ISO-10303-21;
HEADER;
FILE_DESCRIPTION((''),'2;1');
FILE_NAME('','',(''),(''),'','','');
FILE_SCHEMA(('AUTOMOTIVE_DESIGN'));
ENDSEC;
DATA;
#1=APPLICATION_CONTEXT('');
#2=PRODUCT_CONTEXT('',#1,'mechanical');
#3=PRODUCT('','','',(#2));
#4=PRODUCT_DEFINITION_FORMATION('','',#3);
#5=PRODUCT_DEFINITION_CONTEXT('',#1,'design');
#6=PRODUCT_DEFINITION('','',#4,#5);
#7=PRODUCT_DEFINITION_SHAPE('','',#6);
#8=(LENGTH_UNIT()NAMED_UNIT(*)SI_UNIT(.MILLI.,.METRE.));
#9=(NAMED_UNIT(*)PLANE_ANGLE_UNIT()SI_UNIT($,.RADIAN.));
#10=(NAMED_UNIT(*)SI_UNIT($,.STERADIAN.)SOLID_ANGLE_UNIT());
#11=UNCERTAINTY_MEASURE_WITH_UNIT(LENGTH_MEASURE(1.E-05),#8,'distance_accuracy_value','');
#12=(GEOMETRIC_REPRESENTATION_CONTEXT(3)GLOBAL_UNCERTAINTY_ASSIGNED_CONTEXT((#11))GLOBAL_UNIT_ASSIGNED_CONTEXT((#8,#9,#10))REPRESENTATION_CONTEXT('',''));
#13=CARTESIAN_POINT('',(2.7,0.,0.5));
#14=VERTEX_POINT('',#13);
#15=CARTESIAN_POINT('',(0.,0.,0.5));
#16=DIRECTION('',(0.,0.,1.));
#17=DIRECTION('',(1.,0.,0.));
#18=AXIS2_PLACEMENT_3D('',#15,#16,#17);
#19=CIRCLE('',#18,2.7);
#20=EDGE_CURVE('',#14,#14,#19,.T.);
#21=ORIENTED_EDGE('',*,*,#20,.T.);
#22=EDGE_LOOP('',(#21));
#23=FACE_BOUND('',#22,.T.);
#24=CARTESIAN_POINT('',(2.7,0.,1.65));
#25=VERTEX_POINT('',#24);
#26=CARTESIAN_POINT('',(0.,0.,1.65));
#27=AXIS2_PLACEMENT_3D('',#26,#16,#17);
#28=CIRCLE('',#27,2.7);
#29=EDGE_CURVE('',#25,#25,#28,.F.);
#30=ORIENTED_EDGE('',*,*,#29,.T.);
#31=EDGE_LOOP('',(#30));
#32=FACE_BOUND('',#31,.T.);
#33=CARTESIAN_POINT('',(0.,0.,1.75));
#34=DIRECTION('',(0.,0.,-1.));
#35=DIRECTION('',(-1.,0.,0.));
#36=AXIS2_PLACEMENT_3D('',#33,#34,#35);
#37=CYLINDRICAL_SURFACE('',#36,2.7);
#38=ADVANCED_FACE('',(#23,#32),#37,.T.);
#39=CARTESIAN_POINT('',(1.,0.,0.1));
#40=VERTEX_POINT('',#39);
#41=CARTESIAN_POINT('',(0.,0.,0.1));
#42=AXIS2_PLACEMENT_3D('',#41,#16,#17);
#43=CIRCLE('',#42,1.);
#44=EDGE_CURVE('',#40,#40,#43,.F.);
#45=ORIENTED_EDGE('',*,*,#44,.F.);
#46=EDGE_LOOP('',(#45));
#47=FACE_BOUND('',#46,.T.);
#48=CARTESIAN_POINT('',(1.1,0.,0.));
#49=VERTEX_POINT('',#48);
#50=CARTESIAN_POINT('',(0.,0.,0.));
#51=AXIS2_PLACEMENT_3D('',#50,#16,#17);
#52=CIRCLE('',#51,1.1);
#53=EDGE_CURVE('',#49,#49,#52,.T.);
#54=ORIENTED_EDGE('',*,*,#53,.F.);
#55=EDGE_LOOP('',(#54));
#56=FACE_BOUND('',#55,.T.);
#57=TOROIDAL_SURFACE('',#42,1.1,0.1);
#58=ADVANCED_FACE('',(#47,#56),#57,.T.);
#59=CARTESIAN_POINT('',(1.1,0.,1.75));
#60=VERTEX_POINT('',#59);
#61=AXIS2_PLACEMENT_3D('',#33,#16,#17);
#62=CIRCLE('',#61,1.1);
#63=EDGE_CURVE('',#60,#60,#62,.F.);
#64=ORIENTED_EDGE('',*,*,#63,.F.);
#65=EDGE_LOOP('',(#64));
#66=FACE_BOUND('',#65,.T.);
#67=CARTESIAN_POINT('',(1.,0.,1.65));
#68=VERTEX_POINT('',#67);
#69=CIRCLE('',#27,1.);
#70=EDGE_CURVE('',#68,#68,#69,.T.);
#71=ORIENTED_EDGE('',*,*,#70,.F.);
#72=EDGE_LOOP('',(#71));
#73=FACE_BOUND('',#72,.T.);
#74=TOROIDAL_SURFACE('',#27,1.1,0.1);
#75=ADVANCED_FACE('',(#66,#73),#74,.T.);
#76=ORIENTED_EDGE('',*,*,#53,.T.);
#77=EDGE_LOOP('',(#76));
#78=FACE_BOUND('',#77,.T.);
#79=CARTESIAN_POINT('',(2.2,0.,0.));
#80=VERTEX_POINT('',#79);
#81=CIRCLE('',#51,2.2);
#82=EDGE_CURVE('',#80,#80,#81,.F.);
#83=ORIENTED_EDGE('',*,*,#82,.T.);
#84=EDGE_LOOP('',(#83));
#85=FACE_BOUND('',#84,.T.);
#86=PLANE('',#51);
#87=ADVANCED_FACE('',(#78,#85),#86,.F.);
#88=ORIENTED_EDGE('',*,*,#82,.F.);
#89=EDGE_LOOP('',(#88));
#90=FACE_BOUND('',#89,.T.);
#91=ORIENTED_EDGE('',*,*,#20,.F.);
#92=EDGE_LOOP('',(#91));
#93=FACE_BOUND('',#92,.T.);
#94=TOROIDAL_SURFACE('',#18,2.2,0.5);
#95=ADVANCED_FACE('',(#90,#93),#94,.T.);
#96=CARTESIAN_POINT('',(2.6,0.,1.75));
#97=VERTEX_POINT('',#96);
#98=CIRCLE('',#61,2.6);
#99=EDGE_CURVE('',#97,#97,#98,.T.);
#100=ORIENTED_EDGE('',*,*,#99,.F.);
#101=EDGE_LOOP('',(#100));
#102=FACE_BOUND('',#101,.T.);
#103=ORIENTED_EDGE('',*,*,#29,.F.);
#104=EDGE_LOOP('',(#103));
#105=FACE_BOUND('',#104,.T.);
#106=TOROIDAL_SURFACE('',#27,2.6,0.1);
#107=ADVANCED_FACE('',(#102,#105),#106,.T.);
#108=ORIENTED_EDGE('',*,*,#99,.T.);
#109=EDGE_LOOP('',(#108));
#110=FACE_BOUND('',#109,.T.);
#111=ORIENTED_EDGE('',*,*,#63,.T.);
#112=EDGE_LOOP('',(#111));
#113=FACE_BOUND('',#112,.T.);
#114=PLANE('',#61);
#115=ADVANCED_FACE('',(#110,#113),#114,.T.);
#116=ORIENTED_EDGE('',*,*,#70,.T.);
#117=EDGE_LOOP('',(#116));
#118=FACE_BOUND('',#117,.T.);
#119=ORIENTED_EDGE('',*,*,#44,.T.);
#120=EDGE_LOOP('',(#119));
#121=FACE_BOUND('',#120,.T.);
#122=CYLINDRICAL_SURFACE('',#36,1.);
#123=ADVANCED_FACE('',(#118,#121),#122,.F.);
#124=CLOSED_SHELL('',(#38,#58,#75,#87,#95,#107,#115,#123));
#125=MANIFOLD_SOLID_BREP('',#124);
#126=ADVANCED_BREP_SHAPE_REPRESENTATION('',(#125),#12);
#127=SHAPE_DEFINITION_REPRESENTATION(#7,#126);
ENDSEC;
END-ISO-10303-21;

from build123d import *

# Parameters (mm, degrees)
SKETCH1_R           = 2.7
SKETCH1_R_2         = 1
EXTRUDE_THIN1_DEPTH = 1.75
FILLET1_R           = 0.5
FILLET2_R           = 0.1


with BuildPart() as part:
    # Sketch1 → Extrude-Thin1 (new body)
    with BuildSketch(Plane.XY):
        Circle(SKETCH1_R)
        Circle(SKETCH1_R_2, mode=Mode.SUBTRACT)
    extrude(amount=EXTRUDE_THIN1_DEPTH)

    # Fillet1
    fillet1_edges = [part.edges().sort_by_distance(p)[0] for p in [
        (-2.7, 0, 0),
    ]]
    fillet(fillet1_edges, radius=FILLET1_R)

    # Fillet2
    fillet2_edges = [part.edges().sort_by_distance(p)[0] for p in [
        (-1, 0, 0),
        (-2.7, 0, 1.75),
        (-1, 0, 1.75),
    ]]
    fillet(fillet2_edges, radius=FILLET2_R)


solid = part.part
